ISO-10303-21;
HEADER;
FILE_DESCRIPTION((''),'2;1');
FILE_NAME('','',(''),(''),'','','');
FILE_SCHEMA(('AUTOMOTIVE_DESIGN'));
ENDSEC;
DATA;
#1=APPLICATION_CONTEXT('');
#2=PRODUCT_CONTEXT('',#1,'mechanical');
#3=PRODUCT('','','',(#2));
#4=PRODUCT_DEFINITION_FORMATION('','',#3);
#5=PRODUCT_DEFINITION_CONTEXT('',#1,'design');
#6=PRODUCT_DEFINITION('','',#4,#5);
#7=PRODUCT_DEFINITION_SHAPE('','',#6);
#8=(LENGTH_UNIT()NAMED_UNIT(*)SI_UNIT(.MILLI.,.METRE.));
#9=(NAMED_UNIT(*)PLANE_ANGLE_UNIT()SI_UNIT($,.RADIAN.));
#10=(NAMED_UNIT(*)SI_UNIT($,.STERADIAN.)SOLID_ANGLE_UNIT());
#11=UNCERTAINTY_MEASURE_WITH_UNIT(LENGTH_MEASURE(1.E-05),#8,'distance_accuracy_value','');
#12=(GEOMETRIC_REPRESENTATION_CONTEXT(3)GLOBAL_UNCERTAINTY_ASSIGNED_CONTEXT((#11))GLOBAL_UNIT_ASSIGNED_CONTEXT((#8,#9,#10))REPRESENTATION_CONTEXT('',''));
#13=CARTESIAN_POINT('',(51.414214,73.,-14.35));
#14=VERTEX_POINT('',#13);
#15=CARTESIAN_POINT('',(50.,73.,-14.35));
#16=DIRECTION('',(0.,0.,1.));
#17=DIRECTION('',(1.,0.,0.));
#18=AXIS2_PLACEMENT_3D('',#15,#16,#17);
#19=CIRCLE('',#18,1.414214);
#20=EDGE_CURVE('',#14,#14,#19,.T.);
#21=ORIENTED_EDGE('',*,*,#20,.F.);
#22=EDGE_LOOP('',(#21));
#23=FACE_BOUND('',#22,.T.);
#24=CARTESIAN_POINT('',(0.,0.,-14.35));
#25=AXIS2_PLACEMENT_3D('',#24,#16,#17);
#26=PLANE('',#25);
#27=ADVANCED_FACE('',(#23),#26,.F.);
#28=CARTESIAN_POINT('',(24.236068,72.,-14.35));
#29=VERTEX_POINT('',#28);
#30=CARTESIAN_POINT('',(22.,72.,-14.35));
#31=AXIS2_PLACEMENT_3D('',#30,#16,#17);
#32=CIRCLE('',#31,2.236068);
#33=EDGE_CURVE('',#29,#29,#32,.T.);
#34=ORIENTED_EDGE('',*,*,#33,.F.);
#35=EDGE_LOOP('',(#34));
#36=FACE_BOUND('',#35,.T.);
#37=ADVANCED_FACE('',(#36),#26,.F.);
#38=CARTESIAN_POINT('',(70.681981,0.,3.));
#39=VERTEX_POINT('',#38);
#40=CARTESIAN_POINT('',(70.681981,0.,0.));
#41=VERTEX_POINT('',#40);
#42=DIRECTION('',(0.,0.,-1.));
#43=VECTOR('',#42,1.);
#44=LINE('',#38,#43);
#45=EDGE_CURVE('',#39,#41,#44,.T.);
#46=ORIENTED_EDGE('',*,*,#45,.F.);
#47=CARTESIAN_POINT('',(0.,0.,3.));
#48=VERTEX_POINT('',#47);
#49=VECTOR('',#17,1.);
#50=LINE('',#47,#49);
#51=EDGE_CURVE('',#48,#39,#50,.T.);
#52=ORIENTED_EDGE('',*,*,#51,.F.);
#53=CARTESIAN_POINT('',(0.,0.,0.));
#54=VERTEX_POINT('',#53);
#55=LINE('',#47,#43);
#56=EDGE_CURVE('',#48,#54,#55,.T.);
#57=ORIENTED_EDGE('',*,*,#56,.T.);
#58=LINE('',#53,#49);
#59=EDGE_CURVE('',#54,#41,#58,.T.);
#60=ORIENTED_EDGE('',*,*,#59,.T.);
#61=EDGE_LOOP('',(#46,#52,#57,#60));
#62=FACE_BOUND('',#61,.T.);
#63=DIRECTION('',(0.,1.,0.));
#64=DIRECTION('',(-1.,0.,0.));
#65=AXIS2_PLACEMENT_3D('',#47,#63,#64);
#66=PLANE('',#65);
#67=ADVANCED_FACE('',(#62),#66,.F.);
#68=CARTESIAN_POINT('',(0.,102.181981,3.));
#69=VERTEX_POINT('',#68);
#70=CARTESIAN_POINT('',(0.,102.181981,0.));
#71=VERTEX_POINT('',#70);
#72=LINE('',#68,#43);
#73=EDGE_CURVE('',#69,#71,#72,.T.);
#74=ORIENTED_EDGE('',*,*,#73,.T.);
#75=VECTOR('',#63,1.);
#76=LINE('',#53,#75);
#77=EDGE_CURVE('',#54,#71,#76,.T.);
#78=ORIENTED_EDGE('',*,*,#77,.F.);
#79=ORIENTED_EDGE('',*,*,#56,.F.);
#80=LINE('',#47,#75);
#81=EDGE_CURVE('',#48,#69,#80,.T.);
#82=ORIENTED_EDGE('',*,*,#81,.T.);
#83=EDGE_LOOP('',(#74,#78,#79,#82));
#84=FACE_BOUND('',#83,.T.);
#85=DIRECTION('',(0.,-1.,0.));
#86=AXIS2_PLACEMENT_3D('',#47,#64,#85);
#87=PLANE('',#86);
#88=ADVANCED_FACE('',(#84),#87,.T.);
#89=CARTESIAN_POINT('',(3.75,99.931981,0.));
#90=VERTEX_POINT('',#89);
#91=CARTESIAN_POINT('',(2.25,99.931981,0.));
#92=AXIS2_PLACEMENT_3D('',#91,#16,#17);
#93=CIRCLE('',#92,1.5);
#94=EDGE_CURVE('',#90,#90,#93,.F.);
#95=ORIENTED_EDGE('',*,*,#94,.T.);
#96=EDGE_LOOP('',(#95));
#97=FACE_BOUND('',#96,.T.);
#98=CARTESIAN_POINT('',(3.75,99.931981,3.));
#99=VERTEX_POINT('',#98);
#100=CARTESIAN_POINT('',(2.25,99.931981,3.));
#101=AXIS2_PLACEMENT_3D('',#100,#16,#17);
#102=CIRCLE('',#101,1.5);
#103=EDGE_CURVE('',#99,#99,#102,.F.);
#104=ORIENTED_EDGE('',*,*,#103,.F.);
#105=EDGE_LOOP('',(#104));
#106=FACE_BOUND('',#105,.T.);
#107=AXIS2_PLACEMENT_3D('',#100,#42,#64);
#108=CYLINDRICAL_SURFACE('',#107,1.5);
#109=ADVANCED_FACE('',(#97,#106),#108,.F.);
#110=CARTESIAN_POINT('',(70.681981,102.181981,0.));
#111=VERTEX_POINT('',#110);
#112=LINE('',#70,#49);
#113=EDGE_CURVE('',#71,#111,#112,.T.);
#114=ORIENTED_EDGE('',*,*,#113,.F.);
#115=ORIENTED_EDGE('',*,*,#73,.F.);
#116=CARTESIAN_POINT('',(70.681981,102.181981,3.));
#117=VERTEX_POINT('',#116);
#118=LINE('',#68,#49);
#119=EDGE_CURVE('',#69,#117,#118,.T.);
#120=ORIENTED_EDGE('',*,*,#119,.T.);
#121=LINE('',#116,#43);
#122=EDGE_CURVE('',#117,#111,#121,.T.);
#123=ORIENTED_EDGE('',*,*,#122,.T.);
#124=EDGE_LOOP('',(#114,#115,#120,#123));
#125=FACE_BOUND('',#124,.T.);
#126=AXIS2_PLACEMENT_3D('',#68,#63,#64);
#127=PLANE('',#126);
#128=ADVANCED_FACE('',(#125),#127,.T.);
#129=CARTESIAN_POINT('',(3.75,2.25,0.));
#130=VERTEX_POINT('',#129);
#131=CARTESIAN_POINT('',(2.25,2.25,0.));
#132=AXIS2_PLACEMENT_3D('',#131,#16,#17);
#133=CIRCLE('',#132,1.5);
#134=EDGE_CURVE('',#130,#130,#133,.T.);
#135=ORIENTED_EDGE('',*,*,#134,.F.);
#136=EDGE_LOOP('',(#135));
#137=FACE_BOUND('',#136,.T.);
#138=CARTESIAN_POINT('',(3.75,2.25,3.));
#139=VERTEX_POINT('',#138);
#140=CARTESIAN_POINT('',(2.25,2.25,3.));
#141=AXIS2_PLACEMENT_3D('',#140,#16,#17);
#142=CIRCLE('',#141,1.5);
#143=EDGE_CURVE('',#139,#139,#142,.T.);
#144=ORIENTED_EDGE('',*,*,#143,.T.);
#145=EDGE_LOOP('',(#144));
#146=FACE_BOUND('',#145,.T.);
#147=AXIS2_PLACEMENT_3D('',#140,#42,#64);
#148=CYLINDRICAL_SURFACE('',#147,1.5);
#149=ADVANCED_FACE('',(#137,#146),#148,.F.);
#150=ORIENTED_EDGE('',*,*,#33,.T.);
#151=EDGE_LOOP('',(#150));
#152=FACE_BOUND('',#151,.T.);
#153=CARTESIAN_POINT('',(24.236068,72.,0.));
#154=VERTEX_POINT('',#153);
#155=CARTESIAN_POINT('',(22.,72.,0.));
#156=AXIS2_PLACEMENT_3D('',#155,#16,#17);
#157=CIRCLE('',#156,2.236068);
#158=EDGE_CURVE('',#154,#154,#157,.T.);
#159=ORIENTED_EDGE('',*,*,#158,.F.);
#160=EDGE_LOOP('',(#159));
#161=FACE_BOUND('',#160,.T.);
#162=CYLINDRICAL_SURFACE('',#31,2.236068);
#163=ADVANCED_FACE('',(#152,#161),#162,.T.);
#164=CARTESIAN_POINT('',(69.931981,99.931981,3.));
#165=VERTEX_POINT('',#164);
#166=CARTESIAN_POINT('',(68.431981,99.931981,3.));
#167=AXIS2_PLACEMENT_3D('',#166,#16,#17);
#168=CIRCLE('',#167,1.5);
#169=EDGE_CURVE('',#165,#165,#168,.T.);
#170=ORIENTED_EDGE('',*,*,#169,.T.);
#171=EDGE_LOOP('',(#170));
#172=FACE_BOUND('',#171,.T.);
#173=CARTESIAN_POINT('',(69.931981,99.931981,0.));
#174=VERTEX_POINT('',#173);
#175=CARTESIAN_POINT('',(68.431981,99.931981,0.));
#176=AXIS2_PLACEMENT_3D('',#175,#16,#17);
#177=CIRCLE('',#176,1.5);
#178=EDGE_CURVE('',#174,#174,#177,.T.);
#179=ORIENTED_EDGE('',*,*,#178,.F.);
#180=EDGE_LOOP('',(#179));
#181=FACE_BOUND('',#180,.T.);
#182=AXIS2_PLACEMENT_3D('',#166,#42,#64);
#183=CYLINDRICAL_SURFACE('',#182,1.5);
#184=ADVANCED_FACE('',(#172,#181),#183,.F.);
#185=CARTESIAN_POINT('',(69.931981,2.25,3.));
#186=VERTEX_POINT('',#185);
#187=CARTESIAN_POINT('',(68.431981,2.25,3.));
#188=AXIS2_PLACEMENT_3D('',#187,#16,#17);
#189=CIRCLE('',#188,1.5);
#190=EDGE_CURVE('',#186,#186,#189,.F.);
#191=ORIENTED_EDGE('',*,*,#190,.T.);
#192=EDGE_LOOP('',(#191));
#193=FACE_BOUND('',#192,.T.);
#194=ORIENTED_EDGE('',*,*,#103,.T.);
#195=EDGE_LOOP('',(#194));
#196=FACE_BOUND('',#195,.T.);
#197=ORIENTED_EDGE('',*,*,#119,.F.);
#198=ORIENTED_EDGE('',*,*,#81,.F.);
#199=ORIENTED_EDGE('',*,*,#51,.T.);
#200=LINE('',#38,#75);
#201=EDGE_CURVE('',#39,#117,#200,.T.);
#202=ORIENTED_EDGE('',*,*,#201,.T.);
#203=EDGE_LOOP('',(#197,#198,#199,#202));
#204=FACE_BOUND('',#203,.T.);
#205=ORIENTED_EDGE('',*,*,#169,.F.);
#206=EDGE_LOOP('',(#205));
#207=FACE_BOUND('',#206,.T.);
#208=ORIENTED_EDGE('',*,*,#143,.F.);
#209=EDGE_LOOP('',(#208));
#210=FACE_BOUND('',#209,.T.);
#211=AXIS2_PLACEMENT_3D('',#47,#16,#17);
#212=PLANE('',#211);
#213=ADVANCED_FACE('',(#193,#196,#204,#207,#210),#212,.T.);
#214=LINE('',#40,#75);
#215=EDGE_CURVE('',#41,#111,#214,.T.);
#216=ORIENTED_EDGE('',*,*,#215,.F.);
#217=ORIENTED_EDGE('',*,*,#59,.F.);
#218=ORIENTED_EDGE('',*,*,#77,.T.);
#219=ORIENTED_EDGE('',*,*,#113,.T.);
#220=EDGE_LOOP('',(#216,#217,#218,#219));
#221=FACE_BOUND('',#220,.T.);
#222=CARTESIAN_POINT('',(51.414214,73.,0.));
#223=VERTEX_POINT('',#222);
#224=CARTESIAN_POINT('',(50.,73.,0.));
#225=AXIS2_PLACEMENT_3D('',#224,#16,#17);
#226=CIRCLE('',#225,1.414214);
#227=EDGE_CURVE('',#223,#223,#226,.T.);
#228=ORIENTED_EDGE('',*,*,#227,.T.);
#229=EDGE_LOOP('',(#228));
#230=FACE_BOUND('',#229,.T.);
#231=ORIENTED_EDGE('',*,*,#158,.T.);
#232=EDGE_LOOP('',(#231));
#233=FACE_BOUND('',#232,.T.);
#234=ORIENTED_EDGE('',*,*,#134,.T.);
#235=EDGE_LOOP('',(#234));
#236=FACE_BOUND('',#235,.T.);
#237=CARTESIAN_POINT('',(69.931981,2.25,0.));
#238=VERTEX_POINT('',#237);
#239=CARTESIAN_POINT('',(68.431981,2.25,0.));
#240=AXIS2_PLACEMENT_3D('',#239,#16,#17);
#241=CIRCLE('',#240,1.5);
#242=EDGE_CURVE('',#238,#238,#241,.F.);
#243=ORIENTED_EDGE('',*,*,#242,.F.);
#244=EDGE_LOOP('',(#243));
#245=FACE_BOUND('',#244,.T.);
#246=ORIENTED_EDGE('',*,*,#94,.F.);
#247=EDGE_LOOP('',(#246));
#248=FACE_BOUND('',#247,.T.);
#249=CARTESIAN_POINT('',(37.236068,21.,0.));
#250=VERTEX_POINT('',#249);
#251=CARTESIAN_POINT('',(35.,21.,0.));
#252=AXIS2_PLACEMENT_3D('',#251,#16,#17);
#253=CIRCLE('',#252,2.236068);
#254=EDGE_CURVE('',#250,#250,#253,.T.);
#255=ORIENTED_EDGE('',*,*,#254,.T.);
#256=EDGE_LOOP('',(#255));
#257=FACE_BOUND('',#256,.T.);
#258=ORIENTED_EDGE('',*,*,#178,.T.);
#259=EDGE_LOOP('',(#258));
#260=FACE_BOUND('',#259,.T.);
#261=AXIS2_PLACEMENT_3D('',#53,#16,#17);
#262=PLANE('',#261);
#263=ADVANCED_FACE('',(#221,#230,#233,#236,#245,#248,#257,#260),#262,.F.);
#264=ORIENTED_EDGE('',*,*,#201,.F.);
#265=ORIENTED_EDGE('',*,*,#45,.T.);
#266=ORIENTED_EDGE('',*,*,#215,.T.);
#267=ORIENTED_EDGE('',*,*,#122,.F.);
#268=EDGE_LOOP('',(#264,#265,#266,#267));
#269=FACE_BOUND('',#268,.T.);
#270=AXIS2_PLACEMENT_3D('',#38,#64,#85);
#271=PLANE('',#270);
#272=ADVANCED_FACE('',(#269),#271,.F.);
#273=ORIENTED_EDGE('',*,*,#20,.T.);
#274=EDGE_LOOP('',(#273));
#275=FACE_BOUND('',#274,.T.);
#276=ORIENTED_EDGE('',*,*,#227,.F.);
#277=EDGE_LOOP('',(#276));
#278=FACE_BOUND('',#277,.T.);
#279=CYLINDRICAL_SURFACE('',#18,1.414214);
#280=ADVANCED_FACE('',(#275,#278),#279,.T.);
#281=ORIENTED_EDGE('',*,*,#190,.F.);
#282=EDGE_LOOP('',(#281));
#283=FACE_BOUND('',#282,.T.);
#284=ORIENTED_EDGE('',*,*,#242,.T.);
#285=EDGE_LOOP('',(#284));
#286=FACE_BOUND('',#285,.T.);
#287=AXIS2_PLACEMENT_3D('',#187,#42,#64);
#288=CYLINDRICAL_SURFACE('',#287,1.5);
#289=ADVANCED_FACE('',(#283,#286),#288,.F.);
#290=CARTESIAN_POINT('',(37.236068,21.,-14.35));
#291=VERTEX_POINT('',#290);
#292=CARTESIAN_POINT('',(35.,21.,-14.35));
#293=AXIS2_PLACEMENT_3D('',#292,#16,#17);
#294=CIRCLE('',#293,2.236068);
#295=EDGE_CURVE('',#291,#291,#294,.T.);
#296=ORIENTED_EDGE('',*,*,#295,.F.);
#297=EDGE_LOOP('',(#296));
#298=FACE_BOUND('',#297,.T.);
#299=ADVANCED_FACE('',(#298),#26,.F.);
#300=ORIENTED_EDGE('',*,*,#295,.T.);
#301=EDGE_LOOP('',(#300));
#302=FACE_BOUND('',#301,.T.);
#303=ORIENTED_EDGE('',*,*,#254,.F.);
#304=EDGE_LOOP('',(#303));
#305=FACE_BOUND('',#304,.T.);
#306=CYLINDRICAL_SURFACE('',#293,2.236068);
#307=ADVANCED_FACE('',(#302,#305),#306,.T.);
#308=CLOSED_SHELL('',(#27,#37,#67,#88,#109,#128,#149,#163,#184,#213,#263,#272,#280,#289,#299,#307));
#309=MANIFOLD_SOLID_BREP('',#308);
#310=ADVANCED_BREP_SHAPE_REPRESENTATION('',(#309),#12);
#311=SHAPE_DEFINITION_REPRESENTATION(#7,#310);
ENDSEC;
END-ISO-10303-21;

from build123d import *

# Parameters (mm, degrees)
SKETCH1_W           = 70.681980515
SKETCH1_H           = 102.181980515
SKETCH1_R           = 1.5
BOSS_EXTRUDE2_DEPTH = 3
SKETCH1_27_R        = 2.236067977
SKETCH1_27_R_2      = 1.414213562
BOSS_EXTRUDE3_DEPTH = 14.35


with BuildPart() as part:
    # Sketch1 → Boss-Extrude2 (new body)
    with BuildSketch(Plane.XY):
        with Locations((35.340990258, 51.090990258)):
            Rectangle(SKETCH1_W, SKETCH1_H)
        with Locations((68.431980515, 2.25)):
            Circle(SKETCH1_R, mode=Mode.SUBTRACT)
        with Locations((2.25, 99.931980515)):
            Circle(SKETCH1_R, mode=Mode.SUBTRACT)
        with Locations((68.431980515, 99.931980515)):
            Circle(SKETCH1_R, mode=Mode.SUBTRACT)
        with Locations((2.25, 2.25)):
            Circle(SKETCH1_R, mode=Mode.SUBTRACT)
    extrude(amount=BOSS_EXTRUDE2_DEPTH)

    # Sketch1<27> → Boss-Extrude3 (add)
    with BuildSketch(Plane.XY):
        with Locations((35, 21)):
            Circle(SKETCH1_27_R)
        with Locations((50, 73)):
            Circle(SKETCH1_27_R_2)
        with Locations((22, 72)):
            Circle(SKETCH1_27_R)
    extrude(amount=-BOSS_EXTRUDE3_DEPTH)


solid = part.part
